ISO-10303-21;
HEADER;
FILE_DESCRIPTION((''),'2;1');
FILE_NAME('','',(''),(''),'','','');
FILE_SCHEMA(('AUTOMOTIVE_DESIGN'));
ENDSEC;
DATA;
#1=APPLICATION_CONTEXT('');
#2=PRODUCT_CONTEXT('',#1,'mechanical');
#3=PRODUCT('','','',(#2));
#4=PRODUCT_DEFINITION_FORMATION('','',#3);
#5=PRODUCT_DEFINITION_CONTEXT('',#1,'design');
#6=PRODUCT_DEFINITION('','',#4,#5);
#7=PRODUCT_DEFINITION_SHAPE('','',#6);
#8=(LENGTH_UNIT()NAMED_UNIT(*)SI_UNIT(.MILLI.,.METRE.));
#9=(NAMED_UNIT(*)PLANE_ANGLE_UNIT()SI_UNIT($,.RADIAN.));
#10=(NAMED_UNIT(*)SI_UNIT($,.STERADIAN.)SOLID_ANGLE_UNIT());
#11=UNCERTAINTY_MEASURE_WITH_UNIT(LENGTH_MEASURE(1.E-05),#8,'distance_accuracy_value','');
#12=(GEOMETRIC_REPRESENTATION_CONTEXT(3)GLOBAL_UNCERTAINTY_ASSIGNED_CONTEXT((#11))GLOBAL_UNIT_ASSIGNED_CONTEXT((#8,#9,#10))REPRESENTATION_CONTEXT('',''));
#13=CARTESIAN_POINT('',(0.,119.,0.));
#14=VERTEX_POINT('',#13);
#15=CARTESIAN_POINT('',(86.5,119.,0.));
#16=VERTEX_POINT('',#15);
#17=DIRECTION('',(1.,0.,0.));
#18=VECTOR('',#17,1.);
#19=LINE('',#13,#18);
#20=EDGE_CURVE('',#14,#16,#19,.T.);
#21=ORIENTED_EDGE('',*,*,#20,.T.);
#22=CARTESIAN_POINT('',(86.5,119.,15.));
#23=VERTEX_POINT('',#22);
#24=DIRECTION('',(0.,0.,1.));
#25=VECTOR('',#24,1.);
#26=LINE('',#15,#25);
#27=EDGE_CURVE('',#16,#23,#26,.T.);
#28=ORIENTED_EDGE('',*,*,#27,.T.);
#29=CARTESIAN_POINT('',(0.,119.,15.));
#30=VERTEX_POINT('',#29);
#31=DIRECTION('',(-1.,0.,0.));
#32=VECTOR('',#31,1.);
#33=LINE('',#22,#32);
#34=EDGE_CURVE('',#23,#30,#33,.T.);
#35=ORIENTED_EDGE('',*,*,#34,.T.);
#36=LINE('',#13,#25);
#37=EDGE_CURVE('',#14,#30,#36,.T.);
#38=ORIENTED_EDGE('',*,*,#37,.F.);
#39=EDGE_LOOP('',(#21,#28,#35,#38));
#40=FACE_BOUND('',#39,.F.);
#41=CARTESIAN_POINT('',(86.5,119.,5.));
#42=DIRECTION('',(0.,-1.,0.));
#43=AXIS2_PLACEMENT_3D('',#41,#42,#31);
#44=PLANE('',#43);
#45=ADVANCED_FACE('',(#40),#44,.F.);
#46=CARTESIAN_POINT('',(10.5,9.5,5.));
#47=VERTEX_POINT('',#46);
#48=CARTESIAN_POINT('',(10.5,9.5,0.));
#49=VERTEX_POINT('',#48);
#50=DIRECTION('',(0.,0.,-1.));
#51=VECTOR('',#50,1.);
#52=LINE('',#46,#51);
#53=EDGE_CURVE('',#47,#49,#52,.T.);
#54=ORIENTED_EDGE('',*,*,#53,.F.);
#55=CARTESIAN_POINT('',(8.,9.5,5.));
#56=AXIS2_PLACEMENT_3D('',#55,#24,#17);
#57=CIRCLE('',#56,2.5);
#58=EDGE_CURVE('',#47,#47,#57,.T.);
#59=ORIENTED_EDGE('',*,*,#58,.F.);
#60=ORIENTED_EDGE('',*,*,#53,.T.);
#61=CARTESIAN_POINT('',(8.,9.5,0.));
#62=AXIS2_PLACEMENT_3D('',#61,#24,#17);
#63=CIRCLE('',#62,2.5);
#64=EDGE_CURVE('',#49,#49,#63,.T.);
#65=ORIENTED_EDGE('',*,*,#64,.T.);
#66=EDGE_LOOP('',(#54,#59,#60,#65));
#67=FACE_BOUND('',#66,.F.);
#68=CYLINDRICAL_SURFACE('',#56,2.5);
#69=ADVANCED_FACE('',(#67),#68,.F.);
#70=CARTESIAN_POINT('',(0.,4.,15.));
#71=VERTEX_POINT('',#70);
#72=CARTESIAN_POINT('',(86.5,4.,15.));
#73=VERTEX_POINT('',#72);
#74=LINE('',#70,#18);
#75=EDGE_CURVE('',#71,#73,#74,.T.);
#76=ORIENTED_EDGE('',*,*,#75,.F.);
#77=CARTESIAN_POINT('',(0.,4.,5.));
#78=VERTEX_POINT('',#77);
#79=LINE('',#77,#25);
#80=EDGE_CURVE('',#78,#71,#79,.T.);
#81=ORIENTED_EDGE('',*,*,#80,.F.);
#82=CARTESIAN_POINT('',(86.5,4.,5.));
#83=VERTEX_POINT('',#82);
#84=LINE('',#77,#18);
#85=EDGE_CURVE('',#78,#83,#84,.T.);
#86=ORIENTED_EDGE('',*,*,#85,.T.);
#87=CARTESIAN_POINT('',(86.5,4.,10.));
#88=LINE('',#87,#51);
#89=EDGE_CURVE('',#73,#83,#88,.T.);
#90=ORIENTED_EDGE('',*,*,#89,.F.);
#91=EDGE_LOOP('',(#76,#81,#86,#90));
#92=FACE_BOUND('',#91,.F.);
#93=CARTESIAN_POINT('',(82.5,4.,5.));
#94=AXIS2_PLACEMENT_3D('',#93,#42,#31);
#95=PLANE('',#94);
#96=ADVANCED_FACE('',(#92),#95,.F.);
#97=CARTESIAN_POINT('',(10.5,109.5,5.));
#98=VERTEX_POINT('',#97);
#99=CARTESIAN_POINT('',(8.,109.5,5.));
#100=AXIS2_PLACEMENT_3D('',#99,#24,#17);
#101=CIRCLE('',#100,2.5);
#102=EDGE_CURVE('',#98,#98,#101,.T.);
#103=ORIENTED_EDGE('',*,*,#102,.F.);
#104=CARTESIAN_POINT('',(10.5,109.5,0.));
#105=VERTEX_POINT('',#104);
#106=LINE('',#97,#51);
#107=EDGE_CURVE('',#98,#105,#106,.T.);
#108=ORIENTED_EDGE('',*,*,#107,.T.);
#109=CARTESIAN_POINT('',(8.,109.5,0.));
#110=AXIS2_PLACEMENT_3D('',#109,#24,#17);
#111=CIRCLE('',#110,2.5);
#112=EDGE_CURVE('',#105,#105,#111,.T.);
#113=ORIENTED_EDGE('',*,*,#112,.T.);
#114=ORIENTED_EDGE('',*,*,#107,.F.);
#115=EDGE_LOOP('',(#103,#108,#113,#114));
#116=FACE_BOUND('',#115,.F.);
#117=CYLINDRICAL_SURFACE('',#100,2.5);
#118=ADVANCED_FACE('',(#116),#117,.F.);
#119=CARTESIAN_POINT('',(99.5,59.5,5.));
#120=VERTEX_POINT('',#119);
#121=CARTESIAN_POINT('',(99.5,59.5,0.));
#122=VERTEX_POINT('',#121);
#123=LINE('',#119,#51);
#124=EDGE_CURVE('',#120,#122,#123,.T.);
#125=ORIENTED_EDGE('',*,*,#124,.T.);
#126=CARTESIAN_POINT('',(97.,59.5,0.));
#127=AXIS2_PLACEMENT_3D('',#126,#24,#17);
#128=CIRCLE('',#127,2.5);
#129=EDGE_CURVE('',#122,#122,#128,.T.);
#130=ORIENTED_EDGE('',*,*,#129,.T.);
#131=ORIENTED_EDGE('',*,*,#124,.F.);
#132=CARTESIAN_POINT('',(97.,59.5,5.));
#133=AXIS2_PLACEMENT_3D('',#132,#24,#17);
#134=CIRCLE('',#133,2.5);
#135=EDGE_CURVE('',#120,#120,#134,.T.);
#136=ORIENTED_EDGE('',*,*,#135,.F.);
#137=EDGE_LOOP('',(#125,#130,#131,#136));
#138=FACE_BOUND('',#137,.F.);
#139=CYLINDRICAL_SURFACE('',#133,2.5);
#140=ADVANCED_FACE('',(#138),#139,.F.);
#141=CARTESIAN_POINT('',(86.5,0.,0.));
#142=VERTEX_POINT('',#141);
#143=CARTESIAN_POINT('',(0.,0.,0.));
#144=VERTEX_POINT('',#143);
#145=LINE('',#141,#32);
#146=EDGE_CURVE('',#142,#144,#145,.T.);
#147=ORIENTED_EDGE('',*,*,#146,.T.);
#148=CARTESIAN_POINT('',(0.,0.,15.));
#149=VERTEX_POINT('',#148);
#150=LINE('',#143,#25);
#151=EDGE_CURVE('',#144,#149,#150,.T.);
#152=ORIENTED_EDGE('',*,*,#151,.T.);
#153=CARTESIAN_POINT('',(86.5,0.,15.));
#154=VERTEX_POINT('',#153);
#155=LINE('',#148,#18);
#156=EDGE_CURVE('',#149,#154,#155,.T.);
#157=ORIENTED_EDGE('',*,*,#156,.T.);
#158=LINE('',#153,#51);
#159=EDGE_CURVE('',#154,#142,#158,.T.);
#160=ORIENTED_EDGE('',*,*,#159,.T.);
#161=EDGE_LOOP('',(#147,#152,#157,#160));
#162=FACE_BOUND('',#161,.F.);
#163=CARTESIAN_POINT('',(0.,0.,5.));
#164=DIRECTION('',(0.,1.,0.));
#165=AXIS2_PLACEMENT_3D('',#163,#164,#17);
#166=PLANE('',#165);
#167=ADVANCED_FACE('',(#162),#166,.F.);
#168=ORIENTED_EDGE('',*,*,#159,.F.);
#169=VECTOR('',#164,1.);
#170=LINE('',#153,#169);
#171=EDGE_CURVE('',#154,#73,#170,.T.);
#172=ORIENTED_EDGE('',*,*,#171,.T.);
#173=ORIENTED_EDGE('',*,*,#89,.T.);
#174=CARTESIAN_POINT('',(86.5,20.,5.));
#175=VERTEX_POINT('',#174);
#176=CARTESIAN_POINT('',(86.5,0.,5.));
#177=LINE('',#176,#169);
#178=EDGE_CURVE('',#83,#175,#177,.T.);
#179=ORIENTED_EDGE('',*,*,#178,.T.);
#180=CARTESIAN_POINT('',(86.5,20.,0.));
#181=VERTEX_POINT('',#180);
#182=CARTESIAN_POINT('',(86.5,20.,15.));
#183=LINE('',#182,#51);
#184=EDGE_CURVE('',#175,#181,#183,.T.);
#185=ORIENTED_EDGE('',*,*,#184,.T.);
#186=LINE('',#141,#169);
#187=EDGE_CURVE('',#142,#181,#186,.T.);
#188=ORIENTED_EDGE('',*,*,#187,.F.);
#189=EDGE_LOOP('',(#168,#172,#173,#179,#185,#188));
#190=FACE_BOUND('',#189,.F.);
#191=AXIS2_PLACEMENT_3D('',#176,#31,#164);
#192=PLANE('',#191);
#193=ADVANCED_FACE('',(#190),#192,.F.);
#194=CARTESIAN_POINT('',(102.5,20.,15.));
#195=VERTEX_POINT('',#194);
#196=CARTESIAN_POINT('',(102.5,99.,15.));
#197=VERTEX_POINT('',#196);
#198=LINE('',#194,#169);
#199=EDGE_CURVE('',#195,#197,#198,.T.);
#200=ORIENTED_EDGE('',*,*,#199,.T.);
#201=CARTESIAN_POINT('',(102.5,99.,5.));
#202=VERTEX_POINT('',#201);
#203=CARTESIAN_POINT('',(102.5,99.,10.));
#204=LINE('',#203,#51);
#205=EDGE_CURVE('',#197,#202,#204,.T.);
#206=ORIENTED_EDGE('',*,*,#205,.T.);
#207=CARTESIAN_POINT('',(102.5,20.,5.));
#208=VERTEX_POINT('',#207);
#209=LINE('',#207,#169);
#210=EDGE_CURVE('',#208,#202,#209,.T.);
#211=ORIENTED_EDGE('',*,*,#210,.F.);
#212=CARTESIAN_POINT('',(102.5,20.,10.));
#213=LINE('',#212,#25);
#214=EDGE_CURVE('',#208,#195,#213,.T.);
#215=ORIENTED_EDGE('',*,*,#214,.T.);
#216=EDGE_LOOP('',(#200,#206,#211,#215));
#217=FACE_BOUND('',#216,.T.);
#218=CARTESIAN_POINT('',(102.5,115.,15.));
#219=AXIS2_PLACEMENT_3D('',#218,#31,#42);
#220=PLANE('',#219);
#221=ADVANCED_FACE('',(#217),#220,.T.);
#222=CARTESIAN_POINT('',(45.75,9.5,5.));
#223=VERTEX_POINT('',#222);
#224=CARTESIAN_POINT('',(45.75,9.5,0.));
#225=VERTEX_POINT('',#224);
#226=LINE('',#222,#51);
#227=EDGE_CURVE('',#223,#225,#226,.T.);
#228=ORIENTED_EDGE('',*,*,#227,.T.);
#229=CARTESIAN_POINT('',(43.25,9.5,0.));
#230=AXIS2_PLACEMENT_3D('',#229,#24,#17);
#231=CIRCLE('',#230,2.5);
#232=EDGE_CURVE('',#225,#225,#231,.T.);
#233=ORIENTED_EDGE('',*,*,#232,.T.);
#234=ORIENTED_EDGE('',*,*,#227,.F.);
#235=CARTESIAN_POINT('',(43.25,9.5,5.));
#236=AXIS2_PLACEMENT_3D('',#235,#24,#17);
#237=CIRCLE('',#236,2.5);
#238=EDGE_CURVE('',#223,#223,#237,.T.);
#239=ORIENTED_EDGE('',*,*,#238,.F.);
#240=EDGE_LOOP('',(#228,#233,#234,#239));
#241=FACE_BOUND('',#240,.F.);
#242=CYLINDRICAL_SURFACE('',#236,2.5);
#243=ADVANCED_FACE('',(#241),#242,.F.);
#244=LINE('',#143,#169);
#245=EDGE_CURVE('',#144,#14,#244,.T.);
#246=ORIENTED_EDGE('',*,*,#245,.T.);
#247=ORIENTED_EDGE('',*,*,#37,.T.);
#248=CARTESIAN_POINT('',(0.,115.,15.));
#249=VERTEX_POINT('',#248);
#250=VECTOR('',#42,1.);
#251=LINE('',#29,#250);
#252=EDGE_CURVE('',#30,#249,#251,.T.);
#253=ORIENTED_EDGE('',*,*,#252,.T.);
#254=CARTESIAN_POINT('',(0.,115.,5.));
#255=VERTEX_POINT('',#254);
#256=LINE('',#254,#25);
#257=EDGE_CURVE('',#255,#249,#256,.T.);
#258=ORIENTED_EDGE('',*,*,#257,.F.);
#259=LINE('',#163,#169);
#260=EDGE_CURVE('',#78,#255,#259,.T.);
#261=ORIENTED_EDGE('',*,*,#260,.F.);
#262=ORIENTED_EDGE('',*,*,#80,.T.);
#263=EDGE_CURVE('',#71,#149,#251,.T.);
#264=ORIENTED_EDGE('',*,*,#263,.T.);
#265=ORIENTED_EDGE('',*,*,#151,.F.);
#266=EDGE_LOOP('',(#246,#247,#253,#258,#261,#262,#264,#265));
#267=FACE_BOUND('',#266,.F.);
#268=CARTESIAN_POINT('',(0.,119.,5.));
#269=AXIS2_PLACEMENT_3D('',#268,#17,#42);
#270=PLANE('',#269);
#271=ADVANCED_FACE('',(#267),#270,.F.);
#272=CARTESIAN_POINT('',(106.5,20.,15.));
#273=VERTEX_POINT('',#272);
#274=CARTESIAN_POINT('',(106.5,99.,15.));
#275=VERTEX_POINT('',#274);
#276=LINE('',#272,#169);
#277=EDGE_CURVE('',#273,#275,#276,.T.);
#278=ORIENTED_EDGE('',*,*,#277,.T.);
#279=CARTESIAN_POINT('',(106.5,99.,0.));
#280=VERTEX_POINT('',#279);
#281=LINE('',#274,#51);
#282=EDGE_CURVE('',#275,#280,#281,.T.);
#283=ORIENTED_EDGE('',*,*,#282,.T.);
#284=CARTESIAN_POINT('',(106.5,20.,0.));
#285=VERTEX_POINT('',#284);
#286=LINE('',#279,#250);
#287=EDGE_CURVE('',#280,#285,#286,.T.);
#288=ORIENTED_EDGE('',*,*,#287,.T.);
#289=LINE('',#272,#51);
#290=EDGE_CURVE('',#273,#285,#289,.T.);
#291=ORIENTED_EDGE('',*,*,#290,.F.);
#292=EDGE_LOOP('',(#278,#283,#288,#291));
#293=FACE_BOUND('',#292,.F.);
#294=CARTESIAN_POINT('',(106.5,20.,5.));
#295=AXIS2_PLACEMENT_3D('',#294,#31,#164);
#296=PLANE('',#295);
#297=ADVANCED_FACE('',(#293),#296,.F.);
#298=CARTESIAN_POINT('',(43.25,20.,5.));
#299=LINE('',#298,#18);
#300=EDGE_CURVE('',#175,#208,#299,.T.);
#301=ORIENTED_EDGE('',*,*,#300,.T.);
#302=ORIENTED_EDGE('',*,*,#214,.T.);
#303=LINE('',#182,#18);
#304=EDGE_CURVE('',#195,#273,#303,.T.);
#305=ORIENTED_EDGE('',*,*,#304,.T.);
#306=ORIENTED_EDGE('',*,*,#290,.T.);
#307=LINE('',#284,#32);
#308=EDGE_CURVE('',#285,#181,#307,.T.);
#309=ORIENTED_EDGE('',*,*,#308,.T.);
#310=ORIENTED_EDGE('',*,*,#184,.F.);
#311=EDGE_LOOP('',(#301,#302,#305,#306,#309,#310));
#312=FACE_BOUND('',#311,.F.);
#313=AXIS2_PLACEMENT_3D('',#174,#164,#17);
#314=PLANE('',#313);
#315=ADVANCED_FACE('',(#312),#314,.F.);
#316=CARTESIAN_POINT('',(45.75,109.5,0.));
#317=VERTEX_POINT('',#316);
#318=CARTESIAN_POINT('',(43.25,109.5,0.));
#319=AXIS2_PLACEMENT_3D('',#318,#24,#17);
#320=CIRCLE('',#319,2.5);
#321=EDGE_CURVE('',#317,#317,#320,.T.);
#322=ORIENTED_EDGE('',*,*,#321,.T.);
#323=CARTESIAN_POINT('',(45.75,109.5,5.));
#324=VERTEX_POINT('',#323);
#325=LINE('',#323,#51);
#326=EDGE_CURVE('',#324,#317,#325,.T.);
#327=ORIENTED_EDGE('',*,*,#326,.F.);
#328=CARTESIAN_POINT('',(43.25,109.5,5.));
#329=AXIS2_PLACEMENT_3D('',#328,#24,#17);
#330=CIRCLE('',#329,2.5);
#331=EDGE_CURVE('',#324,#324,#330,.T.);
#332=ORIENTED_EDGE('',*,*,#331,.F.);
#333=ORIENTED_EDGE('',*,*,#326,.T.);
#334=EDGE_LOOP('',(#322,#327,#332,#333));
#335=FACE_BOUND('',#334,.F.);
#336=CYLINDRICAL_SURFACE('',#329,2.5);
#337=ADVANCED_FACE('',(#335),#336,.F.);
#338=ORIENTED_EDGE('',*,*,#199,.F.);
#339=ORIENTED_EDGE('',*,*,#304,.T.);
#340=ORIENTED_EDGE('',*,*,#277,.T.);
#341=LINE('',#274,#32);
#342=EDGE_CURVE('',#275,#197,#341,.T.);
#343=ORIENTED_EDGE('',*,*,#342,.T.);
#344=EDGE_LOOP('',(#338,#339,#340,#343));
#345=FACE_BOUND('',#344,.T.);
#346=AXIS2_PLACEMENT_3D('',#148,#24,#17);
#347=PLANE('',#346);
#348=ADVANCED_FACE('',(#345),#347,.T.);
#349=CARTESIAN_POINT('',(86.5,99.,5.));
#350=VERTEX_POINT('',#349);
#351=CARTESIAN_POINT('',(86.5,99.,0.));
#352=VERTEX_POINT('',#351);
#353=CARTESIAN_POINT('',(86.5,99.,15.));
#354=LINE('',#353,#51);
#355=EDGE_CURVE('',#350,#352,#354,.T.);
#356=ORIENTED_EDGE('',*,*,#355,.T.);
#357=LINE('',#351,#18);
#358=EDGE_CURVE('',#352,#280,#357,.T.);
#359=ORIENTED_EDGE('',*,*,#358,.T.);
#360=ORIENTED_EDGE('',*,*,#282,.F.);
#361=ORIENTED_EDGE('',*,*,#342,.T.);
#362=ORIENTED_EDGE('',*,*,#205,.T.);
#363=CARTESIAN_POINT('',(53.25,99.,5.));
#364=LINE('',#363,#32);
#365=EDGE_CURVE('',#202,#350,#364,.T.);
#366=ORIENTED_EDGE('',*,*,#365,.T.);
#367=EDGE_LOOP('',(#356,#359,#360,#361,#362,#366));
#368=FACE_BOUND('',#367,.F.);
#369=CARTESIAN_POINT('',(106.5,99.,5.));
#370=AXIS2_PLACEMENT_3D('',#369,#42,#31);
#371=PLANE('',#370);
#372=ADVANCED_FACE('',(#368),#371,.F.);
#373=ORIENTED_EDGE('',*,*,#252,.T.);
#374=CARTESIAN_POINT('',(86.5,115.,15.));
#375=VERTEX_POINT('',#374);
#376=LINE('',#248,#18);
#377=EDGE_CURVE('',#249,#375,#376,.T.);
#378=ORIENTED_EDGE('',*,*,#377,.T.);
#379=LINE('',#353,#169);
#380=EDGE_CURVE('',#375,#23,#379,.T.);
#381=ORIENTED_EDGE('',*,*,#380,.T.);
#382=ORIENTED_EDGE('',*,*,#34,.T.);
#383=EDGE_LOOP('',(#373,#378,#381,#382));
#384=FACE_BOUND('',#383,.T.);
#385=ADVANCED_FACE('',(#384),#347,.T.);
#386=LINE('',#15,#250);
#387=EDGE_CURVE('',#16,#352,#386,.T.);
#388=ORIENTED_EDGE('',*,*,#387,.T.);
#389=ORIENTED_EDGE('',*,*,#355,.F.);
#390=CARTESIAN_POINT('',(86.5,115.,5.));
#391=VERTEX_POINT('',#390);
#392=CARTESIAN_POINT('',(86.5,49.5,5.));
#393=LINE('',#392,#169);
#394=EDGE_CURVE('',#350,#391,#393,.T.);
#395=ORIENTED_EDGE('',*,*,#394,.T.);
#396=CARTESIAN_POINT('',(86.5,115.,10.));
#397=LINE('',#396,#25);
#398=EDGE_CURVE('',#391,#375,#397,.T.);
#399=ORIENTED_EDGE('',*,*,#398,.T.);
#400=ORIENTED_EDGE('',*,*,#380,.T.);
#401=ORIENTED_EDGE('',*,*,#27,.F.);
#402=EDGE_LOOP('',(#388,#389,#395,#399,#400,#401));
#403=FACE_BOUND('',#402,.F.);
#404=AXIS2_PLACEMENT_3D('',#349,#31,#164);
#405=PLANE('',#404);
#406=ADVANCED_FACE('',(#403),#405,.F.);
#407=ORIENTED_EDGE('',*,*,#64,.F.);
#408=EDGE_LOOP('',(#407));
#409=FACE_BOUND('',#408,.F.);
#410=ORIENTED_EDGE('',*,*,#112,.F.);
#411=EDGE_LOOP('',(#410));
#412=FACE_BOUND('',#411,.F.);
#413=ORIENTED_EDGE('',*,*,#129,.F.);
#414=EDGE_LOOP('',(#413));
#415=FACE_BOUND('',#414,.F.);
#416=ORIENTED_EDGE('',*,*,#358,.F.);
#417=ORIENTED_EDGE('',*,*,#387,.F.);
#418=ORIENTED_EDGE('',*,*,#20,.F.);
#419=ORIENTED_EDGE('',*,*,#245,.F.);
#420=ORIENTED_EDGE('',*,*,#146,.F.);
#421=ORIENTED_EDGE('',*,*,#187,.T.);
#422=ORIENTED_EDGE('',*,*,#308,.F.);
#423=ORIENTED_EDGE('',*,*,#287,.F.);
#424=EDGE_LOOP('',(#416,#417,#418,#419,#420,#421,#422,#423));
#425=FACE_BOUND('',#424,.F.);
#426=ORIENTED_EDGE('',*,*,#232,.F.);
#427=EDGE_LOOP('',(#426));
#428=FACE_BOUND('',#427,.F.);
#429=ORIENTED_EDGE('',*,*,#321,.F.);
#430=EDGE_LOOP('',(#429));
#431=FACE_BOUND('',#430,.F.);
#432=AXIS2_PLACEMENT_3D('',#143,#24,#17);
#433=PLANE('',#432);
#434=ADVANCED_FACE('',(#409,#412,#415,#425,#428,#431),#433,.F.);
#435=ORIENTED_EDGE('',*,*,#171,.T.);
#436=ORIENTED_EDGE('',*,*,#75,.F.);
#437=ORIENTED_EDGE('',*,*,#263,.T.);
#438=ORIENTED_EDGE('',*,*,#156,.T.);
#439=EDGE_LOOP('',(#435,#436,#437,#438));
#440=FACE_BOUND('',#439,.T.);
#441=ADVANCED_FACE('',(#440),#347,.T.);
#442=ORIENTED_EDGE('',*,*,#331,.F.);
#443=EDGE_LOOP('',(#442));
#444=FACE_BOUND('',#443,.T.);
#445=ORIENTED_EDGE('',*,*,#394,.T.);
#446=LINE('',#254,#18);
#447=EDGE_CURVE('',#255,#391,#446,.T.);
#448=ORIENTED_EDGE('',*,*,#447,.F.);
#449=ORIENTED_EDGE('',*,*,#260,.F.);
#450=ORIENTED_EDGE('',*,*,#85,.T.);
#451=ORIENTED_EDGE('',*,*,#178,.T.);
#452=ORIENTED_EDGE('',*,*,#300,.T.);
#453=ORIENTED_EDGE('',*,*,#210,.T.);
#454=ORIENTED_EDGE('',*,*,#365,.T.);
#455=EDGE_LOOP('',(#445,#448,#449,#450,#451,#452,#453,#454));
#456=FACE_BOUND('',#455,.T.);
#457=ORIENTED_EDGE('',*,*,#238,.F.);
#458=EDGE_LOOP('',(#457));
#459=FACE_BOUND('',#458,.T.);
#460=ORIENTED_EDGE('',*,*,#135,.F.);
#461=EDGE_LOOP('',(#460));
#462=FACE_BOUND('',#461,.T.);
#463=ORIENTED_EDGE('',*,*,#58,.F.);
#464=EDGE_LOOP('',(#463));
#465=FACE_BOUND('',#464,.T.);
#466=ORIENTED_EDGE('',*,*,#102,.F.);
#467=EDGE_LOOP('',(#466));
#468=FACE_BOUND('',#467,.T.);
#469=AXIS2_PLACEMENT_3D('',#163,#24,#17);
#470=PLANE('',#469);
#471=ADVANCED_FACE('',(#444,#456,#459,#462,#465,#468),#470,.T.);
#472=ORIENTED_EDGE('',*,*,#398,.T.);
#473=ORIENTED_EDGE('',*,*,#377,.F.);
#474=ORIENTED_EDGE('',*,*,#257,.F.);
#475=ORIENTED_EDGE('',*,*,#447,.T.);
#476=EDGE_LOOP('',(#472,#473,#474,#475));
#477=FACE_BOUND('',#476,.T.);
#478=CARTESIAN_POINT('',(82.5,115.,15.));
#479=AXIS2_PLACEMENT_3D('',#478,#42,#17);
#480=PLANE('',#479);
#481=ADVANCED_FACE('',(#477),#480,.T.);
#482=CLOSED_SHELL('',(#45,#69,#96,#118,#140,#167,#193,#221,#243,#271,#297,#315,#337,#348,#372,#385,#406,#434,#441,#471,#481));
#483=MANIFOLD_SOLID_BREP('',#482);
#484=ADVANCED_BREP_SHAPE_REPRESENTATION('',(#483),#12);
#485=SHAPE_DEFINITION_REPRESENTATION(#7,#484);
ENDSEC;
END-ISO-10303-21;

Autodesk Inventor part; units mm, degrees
ref_plane "YZ Plane" through (0, 0, 0) normal (1, 0, 0) x (0, 1, 0)
ref_plane "XZ Plane" through (0, 0, 0) normal (0, 1, 0) x (-1, 0, 0)
ref_plane "XY Plane" through (0, 0, 0) normal (0, 0, 1) x (1, 0, 0)
sketch "Sketch1" plane through (0, 0, 0) normal (0, 0, 1) x (1, 0, 0)
  line L0 (0, 0) -> (106.5, 0) construction
  line L1 (106.5, 0) -> (106.5, 119) construction
  line L2 (106.5, 119) -> (0, 119) construction
  line L3 (0, 119) -> (0, 0) construction
  line L4 (106.5, 119) -> (86.5, 119) construction
  line L5 (86.5, 119) -> (86.5, 99) construction
  line L6 (86.5, 99) -> (106.5, 99) construction
  line L7 (106.5, 99) -> (106.5, 119) construction
  line L8 (106.5, 0) -> (86.5, 0) construction
  line L9 (86.5, 0) -> (86.5, 20) construction
  line L10 (86.5, 20) -> (106.5, 20) construction
  line L11 (106.5, 20) -> (106.5, 0) construction
  line L12 (0, 119) -> (86.5, 119)
  line L13 (86.5, 119) -> (86.5, 99)
  line L14 (86.5, 99) -> (106.5, 99)
  line L15 (106.5, 20) -> (86.5, 20)
  line L16 (86.5, 0) -> (86.5, 20)
  line L17 (86.5, 0) -> (0, 0)
  line L18 (0, 0) -> (0, 119)
  line L19 (106.5, 99) -> (106.5, 20)
  dimension "d0" = 106.5
  dimension "d1" = 119
  dimension "d2" = 20
  dimension "d3" = 20
  dimension "d4" = 20
  dimension "d5" = 20
extrude "Extrusion1" add sketch "Sketch1" along normal blind 5
sketch "Sketch2" plane through (0, 0, 5) normal (0, 0, 1) x (1, 0, 0)
  circle A0 centre (43.25, 9.5) radius 2.5
  circle A1 centre (97, 59.5) radius 2.5
  circle A2 centre (43.25, 109.5) radius 2.5
  line L0 (86.5, 119) -> (0, 119) projected
  line L1 (0, 0) -> (86.5, 0) projected
  line L2 (106.5, 20) -> (106.5, 99) projected
  circle A3 centre (8, 109.5) radius 2.5
  circle A4 centre (8, 9.5) radius 2.5
  line L3 (0, 119) -> (0, 0) projected
  point P0 (106.5, 59.5)
  point P1 (43.25, 119)
  point P2 (43.25, 0)
  dimension "d8" = 5
  dimension "d9" = 5
  dimension "d10" = 5
  dimension "d11" = 9.5
  dimension "d12" = 9.5
  dimension "d13" = 9.5
  dimension "d21" = 5
  dimension "d22" = 5
  dimension "d23" = 8
extrude "Extrusion2" cut sketch "Sketch2" against normal through all
sketch "Sketch3" plane through (0, 0, 5) normal (0, 0, 1) x (1, 0, 0)
  line L0 (86.5, 119) -> (0, 119) projected
  line L1 (86.5, 99) -> (86.5, 119) projected
  line L2 (106.5, 99) -> (86.5, 99) projected
  line L3 (106.5, 20) -> (106.5, 99) projected
  line L4 (86.5, 20) -> (106.5, 20) projected
  line L5 (86.5, 0) -> (86.5, 20) projected
  line L6 (0, 0) -> (86.5, 0) projected
  line L7 (0, 115) -> (82.5, 115)
  line L8 (82.5, 115) -> (82.5, 95)
  line L9 (82.5, 95) -> (102.5, 95)
  line L10 (102.5, 95) -> (102.5, 24)
  line L11 (102.5, 24) -> (82.5, 24)
  line L12 (82.5, 24) -> (82.5, 4)
  line L13 (82.5, 4) -> (0, 4)
  line L14 (0, 119) -> (0, 115)
  line L15 (0, 119) -> (0, 0) projected
  line L16 (0, 4) -> (0, 0)
  dimension "d16" = 4
extrude "Extrusion3" add sketch "Sketch3" along normal blind 10 contours L1 L2 L3 L4 L5 L6 L15 L13 L12 L11 L10 L9 L8 L7 L14 L0
sketch "Sketch4" plane through (0, 0, 15) normal (0, 0, 1) x (1, 0, 0)
  line L0 (82.5, 115) -> (0, 115) projected
  line L1 (82.5, 115) -> (102.5, 115)
  line L2 (102.5, 115) -> (102.5, 4)
  line L3 (102.5, 4) -> (82.5, 4)
  line L4 (82.5, 4) -> (82.5, 115)
  point P0 (0, 0)
  point P1 (102.5, 95)
extrude "Extrusion4" cut sketch "Sketch4" against normal blind 10
properties part number "BB001" material "ABS Plastic"
